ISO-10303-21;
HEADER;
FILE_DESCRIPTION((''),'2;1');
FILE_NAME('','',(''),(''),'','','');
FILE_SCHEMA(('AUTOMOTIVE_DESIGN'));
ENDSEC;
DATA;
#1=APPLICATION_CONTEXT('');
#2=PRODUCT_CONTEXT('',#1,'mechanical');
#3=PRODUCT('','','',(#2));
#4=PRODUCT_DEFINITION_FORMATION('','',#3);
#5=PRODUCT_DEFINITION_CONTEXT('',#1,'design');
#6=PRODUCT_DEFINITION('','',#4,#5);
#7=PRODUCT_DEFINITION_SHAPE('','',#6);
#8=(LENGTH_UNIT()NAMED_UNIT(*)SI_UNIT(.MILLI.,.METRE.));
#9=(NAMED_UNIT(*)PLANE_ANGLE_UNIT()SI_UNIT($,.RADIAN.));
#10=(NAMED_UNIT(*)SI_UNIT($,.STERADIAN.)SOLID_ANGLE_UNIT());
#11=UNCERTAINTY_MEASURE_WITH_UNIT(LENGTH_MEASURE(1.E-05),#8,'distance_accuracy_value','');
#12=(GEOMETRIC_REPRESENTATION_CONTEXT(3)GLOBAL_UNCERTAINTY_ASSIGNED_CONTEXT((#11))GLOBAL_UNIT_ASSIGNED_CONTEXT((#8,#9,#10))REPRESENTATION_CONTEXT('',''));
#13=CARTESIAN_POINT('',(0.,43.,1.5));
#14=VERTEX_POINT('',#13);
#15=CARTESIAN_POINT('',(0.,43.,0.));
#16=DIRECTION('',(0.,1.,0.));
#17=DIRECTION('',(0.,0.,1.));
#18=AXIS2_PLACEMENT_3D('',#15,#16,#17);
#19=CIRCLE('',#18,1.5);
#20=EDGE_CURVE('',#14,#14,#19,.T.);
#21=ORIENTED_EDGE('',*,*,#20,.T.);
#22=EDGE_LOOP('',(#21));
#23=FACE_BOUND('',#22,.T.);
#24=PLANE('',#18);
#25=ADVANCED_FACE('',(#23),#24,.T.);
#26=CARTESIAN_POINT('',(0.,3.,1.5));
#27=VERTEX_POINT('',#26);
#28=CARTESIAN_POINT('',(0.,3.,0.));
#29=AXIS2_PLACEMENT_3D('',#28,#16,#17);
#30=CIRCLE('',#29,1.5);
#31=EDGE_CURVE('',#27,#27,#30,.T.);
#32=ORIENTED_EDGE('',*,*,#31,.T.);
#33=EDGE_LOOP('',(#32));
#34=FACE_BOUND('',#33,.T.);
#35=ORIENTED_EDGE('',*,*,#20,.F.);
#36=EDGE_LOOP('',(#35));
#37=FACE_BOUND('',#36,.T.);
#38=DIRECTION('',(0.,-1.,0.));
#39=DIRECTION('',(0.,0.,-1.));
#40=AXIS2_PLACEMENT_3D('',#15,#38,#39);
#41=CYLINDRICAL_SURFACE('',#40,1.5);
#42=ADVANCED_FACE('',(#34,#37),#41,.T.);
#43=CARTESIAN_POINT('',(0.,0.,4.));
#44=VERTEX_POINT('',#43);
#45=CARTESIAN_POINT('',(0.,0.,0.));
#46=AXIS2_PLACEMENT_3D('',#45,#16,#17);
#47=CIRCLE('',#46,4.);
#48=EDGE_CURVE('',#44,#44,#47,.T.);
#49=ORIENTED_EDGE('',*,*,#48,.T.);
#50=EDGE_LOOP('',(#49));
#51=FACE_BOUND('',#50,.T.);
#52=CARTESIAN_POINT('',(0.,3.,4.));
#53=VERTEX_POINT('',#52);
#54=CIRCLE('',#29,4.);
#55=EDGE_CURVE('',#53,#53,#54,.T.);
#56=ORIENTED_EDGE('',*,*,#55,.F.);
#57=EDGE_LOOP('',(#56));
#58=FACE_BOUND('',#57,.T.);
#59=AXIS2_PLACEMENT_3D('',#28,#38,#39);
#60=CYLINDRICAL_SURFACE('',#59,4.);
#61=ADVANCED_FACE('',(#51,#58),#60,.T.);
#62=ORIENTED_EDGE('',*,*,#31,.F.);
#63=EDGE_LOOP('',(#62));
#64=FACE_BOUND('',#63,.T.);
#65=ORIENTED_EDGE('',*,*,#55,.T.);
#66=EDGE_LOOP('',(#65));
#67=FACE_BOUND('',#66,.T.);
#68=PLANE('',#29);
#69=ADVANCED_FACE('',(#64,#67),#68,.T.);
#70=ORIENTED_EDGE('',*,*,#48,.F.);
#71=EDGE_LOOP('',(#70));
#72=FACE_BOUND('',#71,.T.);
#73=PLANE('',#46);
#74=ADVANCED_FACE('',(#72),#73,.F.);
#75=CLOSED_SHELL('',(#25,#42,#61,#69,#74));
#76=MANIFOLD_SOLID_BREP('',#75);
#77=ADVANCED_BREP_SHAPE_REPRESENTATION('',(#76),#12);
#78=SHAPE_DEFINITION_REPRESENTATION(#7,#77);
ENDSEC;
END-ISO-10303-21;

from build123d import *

# Parameters (mm, degrees)
SKETCH_1_R      = 4
EXTRUDE_1_DEPTH = 3
SKETCH_2_R      = 1.5
EXTRUDE_2_DEPTH = 40


with BuildPart() as part:
    # 草圖1 → 填料-伸長1 (new body)
    with BuildSketch(Plane(origin=(0, 0, 0), x_dir=(1, 0, 0), z_dir=(0, 1, 0))):
        with Locations(Location((0, 0, 0), (0, 0, 270))):
            Circle(SKETCH_1_R)
    extrude(amount=EXTRUDE_1_DEPTH)

    # 草圖2 → 填料-伸長2 (add)
    with BuildSketch(Plane(origin=(0, 3, 0), x_dir=(1, 0, 0), z_dir=(0, 1, 0))):
        with Locations(Location((0, 0, 0), (0, 0, 270))):
            Circle(SKETCH_2_R)
    extrude(amount=EXTRUDE_2_DEPTH)


solid = part.part
